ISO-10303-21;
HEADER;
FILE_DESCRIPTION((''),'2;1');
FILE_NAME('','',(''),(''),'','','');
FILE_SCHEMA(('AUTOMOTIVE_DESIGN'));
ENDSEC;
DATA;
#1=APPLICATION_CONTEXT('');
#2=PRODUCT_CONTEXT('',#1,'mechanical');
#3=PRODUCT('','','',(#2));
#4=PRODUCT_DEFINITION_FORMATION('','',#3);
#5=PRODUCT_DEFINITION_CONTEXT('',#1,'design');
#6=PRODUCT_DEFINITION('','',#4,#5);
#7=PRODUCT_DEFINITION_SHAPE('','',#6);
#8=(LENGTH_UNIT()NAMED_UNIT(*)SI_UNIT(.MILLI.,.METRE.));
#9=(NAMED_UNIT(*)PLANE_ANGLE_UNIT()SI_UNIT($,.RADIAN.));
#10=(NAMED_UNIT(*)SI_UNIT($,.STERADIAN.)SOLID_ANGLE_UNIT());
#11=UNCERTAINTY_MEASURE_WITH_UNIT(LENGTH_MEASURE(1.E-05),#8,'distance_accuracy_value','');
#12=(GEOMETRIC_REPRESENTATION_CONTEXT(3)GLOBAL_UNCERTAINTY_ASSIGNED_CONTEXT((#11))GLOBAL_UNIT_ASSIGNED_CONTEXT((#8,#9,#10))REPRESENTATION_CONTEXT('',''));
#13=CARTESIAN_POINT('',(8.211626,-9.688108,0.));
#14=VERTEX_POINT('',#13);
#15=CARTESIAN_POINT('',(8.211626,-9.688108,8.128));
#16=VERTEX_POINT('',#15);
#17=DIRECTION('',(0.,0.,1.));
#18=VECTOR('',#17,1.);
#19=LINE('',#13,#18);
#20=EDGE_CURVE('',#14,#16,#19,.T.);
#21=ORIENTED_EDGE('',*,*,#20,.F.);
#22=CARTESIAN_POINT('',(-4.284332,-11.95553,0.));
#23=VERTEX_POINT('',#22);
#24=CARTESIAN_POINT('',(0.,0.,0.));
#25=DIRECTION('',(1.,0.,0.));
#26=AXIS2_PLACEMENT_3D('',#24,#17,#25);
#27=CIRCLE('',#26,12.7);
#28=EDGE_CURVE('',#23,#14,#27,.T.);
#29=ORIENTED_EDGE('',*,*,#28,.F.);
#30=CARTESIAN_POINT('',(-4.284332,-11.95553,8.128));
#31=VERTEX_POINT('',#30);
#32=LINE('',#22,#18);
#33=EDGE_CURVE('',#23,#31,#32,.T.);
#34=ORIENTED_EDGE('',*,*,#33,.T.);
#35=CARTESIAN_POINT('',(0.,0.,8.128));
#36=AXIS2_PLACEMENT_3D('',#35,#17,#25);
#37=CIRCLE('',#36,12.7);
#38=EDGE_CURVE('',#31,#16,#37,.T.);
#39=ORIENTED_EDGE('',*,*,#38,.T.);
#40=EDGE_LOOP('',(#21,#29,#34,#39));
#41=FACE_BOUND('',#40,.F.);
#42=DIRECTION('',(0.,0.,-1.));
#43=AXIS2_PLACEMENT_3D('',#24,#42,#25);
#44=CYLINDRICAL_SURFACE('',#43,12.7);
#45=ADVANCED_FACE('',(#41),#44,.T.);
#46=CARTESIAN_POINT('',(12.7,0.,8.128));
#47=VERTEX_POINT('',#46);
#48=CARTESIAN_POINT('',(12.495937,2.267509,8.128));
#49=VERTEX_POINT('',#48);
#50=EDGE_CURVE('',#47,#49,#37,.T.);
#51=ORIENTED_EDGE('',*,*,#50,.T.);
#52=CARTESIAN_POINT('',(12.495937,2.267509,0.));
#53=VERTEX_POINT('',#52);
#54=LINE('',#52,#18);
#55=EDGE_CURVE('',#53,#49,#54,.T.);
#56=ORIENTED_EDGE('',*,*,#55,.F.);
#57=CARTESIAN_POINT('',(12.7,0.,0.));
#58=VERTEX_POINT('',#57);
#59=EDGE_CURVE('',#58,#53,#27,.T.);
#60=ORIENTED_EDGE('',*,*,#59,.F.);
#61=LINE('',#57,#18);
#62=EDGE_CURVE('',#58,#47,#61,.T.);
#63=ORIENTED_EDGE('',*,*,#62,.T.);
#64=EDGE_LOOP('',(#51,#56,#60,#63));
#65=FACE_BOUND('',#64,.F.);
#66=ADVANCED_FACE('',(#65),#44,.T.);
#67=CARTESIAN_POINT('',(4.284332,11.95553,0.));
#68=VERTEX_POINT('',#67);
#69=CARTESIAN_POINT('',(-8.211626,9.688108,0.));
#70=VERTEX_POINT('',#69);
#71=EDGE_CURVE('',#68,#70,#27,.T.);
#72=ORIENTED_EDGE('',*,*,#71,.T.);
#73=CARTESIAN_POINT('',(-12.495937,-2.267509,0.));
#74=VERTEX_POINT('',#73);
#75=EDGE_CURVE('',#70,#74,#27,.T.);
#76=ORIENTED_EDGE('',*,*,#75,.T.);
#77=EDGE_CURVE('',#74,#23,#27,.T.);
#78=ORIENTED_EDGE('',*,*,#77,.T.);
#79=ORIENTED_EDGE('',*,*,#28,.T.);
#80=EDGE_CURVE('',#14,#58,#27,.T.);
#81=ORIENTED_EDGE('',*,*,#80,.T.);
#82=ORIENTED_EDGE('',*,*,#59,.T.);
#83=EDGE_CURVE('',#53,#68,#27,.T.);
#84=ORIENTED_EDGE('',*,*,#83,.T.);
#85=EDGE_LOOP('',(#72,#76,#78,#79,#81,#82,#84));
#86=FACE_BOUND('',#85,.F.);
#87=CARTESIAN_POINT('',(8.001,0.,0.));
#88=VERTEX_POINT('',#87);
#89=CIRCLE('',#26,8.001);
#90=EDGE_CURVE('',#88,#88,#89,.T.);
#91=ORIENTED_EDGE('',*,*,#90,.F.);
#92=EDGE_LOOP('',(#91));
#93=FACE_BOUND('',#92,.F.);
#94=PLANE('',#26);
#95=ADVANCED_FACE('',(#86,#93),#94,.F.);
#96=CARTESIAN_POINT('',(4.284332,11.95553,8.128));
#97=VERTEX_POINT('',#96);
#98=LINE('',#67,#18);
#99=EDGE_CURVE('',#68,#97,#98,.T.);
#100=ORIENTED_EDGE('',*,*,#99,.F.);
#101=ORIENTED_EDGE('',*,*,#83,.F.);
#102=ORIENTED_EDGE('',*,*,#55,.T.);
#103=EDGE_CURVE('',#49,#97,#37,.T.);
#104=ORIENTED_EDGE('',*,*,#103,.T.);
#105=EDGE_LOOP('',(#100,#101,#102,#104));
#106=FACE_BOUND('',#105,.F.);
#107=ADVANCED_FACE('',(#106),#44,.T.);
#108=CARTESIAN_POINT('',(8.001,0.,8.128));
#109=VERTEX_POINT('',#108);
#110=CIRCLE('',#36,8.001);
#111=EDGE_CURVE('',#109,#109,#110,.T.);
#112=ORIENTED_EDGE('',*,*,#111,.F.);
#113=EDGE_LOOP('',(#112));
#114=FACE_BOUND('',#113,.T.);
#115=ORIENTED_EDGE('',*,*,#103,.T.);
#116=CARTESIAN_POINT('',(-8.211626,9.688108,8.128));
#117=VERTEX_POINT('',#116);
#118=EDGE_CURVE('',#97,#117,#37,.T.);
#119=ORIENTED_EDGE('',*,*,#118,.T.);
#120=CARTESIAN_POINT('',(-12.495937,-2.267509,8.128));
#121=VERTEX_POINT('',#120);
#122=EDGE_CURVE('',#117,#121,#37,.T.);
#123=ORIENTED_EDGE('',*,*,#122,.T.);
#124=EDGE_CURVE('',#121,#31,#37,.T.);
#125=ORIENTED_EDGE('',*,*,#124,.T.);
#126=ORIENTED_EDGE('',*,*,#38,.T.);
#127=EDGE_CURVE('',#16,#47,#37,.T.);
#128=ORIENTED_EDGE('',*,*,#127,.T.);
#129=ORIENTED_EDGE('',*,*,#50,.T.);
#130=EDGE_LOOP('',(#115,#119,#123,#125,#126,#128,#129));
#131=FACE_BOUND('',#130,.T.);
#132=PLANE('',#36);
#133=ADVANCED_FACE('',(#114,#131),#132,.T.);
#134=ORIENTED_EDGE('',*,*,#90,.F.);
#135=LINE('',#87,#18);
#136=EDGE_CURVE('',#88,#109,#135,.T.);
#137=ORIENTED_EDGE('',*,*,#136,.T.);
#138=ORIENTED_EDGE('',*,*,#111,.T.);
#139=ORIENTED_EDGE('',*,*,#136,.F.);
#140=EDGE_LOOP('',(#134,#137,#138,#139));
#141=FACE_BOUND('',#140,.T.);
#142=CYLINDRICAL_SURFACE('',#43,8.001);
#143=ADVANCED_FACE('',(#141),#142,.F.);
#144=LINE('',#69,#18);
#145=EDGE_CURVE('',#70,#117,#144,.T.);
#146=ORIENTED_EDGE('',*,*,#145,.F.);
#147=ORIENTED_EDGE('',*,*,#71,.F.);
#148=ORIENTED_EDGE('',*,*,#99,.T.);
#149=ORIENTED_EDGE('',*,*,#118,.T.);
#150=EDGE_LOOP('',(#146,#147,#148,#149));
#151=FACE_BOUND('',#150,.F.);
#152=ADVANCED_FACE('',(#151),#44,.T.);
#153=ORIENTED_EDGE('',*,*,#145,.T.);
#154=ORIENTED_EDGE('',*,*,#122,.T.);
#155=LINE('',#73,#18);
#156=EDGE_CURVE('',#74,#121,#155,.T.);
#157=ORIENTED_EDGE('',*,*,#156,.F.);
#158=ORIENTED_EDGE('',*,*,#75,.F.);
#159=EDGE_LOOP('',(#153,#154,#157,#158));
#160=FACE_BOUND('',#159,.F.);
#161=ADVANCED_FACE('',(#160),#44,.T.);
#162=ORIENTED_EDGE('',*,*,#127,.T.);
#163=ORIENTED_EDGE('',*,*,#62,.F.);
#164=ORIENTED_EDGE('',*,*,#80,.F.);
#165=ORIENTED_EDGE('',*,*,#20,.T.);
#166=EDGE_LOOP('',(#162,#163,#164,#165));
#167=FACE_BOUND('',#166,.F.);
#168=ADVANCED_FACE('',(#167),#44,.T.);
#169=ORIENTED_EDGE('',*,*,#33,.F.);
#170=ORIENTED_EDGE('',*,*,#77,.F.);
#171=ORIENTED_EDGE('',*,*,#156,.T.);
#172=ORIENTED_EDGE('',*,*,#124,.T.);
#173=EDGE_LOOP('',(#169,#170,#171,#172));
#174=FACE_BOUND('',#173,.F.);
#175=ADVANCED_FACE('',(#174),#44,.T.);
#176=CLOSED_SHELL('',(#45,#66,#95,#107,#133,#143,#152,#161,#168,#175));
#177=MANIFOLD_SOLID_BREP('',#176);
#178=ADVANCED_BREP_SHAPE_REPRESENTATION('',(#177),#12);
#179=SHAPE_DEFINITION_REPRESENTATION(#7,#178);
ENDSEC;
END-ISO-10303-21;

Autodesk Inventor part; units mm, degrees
ref_plane "YZ Plane" through (0, 0, 0) normal (1, 0, 0) x (0, 1, 0)
ref_plane "XZ Plane" through (0, 0, 0) normal (0, 1, 0) x (-1, 0, 0)
ref_plane "XY Plane" through (0, 0, 0) normal (0, 0, 1) x (1, 0, 0)
sketch "Sketch1" plane through (0, 0, 0) normal (0, 0, 1) x (1, 0, 0)
  circle A0 centre (0, 0) radius 8.001
  circle A1 centre (0, 0) radius 12.7
  line L0 (-2.6182, 14.4291) -> (11.1868, 9.482)
  line L1 (11.1868, 9.482) -> (13.8051, -4.9471)
  line L2 (13.8051, -4.9471) -> (2.6182, -14.4291)
  line L3 (2.6182, -14.4291) -> (-11.1868, -9.482)
  line L4 (-11.1868, -9.482) -> (-13.8051, 4.9471)
  line L5 (-13.8051, 4.9471) -> (-2.6182, 14.4291)
  point P0 (-8.2116, 9.6881)
  dimension "d1" = 25.4
  dimension "d0" = 16.002
extrude "Extrusion1" add sketch "Sketch1" along normal blind 8.128 contours A1
properties part number "Spacer (0.4375 ID whatever OD) aluminum" material "Aluminum 6061"
